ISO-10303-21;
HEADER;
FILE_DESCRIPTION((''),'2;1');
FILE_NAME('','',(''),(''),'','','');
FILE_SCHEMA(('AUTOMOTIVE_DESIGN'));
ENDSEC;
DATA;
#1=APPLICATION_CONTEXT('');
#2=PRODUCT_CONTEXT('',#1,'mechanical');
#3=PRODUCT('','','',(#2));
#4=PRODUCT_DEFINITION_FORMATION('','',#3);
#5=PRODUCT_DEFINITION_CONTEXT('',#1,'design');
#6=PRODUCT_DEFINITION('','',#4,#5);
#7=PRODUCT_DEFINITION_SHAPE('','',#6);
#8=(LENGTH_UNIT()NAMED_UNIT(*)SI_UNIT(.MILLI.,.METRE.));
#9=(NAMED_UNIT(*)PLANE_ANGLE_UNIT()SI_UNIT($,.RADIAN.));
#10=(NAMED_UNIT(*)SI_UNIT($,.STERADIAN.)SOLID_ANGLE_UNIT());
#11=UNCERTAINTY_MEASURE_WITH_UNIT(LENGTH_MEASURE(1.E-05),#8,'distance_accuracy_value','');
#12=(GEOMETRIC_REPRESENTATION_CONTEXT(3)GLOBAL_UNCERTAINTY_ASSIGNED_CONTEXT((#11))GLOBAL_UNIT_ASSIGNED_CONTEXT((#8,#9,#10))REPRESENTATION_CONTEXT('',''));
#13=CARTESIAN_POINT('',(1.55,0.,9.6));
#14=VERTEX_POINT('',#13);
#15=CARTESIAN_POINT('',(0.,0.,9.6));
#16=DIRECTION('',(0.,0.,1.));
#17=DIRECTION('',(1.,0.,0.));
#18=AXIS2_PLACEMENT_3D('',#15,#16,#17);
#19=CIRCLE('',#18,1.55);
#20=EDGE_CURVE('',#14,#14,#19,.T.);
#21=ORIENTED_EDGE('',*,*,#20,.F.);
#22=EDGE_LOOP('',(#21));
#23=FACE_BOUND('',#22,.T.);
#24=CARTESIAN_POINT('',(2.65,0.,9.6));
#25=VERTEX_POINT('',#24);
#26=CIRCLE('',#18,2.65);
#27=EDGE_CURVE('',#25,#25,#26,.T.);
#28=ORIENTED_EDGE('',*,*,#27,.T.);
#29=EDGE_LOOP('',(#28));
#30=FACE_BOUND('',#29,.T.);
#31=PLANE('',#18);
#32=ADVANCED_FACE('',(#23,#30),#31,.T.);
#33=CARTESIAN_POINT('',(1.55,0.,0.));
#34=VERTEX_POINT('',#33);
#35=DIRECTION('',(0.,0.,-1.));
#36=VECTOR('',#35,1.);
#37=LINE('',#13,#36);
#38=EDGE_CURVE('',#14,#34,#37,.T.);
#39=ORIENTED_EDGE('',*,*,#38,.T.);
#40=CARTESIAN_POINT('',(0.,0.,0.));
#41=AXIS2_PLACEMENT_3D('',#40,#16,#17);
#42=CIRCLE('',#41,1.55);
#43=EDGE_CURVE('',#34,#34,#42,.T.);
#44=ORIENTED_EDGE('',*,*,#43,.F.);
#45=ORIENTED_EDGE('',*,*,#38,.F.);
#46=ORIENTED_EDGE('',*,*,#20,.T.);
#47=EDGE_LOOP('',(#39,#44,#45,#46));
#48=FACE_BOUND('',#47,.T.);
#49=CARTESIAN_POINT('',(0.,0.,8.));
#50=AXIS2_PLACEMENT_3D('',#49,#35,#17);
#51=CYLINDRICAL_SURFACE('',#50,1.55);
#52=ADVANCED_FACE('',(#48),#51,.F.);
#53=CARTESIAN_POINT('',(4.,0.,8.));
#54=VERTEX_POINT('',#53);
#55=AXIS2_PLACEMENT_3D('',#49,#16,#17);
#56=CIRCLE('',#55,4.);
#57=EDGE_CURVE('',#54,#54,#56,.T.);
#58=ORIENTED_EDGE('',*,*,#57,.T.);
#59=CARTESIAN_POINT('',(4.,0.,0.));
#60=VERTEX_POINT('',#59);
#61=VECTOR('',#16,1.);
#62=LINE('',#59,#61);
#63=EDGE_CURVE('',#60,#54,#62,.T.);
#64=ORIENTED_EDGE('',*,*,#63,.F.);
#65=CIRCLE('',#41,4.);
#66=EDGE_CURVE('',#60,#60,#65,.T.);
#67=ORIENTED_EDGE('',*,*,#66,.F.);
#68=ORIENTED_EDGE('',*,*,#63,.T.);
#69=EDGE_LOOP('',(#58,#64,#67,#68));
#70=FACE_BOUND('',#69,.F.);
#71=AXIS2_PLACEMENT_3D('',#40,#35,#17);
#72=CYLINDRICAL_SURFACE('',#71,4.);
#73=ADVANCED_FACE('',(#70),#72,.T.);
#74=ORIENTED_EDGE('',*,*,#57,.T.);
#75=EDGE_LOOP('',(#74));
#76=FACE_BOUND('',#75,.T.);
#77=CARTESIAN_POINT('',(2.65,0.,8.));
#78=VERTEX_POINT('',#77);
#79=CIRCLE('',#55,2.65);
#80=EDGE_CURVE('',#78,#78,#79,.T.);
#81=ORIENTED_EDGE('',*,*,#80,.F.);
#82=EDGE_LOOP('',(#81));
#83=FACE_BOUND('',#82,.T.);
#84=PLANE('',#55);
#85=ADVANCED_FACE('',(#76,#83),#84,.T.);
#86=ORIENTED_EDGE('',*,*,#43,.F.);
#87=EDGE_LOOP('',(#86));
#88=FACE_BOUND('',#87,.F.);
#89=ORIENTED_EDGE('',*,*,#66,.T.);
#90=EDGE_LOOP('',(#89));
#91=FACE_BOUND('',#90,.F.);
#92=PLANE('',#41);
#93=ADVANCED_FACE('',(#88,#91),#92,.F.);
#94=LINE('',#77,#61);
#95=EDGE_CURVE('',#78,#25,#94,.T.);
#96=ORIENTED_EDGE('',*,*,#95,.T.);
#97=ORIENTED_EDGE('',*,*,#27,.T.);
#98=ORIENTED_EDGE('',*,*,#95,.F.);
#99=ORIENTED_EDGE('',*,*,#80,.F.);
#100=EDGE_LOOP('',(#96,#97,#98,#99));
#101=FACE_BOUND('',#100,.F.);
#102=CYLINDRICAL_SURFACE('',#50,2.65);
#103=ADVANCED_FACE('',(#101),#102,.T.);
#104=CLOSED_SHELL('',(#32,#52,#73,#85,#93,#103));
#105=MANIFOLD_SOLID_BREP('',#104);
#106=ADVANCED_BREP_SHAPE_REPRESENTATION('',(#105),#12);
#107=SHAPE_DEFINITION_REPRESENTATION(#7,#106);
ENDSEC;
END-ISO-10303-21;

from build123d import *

# Parameters (mm, degrees)
SKETCH_R      = 4
SKETCH_R_2    = 1.55
PAD_DEPTH     = 8
SKETCH001_R   = 2.65
SKETCH001_R_2 = 1.55
PAD001_DEPTH  = 1.6


with BuildPart() as part:
    # Sketch → Pad (new body)
    with BuildSketch(Plane.XY):
        Circle(SKETCH_R)
        Circle(SKETCH_R_2, mode=Mode.SUBTRACT)
    extrude(amount=PAD_DEPTH)

    # Sketch001 (on Face4 of Pad) → Pad001 (join)
    with BuildSketch(Plane.XY.offset(8)):
        Circle(SKETCH001_R)
        Circle(SKETCH001_R_2, mode=Mode.SUBTRACT)
    extrude(amount=PAD001_DEPTH)


solid = part.part
